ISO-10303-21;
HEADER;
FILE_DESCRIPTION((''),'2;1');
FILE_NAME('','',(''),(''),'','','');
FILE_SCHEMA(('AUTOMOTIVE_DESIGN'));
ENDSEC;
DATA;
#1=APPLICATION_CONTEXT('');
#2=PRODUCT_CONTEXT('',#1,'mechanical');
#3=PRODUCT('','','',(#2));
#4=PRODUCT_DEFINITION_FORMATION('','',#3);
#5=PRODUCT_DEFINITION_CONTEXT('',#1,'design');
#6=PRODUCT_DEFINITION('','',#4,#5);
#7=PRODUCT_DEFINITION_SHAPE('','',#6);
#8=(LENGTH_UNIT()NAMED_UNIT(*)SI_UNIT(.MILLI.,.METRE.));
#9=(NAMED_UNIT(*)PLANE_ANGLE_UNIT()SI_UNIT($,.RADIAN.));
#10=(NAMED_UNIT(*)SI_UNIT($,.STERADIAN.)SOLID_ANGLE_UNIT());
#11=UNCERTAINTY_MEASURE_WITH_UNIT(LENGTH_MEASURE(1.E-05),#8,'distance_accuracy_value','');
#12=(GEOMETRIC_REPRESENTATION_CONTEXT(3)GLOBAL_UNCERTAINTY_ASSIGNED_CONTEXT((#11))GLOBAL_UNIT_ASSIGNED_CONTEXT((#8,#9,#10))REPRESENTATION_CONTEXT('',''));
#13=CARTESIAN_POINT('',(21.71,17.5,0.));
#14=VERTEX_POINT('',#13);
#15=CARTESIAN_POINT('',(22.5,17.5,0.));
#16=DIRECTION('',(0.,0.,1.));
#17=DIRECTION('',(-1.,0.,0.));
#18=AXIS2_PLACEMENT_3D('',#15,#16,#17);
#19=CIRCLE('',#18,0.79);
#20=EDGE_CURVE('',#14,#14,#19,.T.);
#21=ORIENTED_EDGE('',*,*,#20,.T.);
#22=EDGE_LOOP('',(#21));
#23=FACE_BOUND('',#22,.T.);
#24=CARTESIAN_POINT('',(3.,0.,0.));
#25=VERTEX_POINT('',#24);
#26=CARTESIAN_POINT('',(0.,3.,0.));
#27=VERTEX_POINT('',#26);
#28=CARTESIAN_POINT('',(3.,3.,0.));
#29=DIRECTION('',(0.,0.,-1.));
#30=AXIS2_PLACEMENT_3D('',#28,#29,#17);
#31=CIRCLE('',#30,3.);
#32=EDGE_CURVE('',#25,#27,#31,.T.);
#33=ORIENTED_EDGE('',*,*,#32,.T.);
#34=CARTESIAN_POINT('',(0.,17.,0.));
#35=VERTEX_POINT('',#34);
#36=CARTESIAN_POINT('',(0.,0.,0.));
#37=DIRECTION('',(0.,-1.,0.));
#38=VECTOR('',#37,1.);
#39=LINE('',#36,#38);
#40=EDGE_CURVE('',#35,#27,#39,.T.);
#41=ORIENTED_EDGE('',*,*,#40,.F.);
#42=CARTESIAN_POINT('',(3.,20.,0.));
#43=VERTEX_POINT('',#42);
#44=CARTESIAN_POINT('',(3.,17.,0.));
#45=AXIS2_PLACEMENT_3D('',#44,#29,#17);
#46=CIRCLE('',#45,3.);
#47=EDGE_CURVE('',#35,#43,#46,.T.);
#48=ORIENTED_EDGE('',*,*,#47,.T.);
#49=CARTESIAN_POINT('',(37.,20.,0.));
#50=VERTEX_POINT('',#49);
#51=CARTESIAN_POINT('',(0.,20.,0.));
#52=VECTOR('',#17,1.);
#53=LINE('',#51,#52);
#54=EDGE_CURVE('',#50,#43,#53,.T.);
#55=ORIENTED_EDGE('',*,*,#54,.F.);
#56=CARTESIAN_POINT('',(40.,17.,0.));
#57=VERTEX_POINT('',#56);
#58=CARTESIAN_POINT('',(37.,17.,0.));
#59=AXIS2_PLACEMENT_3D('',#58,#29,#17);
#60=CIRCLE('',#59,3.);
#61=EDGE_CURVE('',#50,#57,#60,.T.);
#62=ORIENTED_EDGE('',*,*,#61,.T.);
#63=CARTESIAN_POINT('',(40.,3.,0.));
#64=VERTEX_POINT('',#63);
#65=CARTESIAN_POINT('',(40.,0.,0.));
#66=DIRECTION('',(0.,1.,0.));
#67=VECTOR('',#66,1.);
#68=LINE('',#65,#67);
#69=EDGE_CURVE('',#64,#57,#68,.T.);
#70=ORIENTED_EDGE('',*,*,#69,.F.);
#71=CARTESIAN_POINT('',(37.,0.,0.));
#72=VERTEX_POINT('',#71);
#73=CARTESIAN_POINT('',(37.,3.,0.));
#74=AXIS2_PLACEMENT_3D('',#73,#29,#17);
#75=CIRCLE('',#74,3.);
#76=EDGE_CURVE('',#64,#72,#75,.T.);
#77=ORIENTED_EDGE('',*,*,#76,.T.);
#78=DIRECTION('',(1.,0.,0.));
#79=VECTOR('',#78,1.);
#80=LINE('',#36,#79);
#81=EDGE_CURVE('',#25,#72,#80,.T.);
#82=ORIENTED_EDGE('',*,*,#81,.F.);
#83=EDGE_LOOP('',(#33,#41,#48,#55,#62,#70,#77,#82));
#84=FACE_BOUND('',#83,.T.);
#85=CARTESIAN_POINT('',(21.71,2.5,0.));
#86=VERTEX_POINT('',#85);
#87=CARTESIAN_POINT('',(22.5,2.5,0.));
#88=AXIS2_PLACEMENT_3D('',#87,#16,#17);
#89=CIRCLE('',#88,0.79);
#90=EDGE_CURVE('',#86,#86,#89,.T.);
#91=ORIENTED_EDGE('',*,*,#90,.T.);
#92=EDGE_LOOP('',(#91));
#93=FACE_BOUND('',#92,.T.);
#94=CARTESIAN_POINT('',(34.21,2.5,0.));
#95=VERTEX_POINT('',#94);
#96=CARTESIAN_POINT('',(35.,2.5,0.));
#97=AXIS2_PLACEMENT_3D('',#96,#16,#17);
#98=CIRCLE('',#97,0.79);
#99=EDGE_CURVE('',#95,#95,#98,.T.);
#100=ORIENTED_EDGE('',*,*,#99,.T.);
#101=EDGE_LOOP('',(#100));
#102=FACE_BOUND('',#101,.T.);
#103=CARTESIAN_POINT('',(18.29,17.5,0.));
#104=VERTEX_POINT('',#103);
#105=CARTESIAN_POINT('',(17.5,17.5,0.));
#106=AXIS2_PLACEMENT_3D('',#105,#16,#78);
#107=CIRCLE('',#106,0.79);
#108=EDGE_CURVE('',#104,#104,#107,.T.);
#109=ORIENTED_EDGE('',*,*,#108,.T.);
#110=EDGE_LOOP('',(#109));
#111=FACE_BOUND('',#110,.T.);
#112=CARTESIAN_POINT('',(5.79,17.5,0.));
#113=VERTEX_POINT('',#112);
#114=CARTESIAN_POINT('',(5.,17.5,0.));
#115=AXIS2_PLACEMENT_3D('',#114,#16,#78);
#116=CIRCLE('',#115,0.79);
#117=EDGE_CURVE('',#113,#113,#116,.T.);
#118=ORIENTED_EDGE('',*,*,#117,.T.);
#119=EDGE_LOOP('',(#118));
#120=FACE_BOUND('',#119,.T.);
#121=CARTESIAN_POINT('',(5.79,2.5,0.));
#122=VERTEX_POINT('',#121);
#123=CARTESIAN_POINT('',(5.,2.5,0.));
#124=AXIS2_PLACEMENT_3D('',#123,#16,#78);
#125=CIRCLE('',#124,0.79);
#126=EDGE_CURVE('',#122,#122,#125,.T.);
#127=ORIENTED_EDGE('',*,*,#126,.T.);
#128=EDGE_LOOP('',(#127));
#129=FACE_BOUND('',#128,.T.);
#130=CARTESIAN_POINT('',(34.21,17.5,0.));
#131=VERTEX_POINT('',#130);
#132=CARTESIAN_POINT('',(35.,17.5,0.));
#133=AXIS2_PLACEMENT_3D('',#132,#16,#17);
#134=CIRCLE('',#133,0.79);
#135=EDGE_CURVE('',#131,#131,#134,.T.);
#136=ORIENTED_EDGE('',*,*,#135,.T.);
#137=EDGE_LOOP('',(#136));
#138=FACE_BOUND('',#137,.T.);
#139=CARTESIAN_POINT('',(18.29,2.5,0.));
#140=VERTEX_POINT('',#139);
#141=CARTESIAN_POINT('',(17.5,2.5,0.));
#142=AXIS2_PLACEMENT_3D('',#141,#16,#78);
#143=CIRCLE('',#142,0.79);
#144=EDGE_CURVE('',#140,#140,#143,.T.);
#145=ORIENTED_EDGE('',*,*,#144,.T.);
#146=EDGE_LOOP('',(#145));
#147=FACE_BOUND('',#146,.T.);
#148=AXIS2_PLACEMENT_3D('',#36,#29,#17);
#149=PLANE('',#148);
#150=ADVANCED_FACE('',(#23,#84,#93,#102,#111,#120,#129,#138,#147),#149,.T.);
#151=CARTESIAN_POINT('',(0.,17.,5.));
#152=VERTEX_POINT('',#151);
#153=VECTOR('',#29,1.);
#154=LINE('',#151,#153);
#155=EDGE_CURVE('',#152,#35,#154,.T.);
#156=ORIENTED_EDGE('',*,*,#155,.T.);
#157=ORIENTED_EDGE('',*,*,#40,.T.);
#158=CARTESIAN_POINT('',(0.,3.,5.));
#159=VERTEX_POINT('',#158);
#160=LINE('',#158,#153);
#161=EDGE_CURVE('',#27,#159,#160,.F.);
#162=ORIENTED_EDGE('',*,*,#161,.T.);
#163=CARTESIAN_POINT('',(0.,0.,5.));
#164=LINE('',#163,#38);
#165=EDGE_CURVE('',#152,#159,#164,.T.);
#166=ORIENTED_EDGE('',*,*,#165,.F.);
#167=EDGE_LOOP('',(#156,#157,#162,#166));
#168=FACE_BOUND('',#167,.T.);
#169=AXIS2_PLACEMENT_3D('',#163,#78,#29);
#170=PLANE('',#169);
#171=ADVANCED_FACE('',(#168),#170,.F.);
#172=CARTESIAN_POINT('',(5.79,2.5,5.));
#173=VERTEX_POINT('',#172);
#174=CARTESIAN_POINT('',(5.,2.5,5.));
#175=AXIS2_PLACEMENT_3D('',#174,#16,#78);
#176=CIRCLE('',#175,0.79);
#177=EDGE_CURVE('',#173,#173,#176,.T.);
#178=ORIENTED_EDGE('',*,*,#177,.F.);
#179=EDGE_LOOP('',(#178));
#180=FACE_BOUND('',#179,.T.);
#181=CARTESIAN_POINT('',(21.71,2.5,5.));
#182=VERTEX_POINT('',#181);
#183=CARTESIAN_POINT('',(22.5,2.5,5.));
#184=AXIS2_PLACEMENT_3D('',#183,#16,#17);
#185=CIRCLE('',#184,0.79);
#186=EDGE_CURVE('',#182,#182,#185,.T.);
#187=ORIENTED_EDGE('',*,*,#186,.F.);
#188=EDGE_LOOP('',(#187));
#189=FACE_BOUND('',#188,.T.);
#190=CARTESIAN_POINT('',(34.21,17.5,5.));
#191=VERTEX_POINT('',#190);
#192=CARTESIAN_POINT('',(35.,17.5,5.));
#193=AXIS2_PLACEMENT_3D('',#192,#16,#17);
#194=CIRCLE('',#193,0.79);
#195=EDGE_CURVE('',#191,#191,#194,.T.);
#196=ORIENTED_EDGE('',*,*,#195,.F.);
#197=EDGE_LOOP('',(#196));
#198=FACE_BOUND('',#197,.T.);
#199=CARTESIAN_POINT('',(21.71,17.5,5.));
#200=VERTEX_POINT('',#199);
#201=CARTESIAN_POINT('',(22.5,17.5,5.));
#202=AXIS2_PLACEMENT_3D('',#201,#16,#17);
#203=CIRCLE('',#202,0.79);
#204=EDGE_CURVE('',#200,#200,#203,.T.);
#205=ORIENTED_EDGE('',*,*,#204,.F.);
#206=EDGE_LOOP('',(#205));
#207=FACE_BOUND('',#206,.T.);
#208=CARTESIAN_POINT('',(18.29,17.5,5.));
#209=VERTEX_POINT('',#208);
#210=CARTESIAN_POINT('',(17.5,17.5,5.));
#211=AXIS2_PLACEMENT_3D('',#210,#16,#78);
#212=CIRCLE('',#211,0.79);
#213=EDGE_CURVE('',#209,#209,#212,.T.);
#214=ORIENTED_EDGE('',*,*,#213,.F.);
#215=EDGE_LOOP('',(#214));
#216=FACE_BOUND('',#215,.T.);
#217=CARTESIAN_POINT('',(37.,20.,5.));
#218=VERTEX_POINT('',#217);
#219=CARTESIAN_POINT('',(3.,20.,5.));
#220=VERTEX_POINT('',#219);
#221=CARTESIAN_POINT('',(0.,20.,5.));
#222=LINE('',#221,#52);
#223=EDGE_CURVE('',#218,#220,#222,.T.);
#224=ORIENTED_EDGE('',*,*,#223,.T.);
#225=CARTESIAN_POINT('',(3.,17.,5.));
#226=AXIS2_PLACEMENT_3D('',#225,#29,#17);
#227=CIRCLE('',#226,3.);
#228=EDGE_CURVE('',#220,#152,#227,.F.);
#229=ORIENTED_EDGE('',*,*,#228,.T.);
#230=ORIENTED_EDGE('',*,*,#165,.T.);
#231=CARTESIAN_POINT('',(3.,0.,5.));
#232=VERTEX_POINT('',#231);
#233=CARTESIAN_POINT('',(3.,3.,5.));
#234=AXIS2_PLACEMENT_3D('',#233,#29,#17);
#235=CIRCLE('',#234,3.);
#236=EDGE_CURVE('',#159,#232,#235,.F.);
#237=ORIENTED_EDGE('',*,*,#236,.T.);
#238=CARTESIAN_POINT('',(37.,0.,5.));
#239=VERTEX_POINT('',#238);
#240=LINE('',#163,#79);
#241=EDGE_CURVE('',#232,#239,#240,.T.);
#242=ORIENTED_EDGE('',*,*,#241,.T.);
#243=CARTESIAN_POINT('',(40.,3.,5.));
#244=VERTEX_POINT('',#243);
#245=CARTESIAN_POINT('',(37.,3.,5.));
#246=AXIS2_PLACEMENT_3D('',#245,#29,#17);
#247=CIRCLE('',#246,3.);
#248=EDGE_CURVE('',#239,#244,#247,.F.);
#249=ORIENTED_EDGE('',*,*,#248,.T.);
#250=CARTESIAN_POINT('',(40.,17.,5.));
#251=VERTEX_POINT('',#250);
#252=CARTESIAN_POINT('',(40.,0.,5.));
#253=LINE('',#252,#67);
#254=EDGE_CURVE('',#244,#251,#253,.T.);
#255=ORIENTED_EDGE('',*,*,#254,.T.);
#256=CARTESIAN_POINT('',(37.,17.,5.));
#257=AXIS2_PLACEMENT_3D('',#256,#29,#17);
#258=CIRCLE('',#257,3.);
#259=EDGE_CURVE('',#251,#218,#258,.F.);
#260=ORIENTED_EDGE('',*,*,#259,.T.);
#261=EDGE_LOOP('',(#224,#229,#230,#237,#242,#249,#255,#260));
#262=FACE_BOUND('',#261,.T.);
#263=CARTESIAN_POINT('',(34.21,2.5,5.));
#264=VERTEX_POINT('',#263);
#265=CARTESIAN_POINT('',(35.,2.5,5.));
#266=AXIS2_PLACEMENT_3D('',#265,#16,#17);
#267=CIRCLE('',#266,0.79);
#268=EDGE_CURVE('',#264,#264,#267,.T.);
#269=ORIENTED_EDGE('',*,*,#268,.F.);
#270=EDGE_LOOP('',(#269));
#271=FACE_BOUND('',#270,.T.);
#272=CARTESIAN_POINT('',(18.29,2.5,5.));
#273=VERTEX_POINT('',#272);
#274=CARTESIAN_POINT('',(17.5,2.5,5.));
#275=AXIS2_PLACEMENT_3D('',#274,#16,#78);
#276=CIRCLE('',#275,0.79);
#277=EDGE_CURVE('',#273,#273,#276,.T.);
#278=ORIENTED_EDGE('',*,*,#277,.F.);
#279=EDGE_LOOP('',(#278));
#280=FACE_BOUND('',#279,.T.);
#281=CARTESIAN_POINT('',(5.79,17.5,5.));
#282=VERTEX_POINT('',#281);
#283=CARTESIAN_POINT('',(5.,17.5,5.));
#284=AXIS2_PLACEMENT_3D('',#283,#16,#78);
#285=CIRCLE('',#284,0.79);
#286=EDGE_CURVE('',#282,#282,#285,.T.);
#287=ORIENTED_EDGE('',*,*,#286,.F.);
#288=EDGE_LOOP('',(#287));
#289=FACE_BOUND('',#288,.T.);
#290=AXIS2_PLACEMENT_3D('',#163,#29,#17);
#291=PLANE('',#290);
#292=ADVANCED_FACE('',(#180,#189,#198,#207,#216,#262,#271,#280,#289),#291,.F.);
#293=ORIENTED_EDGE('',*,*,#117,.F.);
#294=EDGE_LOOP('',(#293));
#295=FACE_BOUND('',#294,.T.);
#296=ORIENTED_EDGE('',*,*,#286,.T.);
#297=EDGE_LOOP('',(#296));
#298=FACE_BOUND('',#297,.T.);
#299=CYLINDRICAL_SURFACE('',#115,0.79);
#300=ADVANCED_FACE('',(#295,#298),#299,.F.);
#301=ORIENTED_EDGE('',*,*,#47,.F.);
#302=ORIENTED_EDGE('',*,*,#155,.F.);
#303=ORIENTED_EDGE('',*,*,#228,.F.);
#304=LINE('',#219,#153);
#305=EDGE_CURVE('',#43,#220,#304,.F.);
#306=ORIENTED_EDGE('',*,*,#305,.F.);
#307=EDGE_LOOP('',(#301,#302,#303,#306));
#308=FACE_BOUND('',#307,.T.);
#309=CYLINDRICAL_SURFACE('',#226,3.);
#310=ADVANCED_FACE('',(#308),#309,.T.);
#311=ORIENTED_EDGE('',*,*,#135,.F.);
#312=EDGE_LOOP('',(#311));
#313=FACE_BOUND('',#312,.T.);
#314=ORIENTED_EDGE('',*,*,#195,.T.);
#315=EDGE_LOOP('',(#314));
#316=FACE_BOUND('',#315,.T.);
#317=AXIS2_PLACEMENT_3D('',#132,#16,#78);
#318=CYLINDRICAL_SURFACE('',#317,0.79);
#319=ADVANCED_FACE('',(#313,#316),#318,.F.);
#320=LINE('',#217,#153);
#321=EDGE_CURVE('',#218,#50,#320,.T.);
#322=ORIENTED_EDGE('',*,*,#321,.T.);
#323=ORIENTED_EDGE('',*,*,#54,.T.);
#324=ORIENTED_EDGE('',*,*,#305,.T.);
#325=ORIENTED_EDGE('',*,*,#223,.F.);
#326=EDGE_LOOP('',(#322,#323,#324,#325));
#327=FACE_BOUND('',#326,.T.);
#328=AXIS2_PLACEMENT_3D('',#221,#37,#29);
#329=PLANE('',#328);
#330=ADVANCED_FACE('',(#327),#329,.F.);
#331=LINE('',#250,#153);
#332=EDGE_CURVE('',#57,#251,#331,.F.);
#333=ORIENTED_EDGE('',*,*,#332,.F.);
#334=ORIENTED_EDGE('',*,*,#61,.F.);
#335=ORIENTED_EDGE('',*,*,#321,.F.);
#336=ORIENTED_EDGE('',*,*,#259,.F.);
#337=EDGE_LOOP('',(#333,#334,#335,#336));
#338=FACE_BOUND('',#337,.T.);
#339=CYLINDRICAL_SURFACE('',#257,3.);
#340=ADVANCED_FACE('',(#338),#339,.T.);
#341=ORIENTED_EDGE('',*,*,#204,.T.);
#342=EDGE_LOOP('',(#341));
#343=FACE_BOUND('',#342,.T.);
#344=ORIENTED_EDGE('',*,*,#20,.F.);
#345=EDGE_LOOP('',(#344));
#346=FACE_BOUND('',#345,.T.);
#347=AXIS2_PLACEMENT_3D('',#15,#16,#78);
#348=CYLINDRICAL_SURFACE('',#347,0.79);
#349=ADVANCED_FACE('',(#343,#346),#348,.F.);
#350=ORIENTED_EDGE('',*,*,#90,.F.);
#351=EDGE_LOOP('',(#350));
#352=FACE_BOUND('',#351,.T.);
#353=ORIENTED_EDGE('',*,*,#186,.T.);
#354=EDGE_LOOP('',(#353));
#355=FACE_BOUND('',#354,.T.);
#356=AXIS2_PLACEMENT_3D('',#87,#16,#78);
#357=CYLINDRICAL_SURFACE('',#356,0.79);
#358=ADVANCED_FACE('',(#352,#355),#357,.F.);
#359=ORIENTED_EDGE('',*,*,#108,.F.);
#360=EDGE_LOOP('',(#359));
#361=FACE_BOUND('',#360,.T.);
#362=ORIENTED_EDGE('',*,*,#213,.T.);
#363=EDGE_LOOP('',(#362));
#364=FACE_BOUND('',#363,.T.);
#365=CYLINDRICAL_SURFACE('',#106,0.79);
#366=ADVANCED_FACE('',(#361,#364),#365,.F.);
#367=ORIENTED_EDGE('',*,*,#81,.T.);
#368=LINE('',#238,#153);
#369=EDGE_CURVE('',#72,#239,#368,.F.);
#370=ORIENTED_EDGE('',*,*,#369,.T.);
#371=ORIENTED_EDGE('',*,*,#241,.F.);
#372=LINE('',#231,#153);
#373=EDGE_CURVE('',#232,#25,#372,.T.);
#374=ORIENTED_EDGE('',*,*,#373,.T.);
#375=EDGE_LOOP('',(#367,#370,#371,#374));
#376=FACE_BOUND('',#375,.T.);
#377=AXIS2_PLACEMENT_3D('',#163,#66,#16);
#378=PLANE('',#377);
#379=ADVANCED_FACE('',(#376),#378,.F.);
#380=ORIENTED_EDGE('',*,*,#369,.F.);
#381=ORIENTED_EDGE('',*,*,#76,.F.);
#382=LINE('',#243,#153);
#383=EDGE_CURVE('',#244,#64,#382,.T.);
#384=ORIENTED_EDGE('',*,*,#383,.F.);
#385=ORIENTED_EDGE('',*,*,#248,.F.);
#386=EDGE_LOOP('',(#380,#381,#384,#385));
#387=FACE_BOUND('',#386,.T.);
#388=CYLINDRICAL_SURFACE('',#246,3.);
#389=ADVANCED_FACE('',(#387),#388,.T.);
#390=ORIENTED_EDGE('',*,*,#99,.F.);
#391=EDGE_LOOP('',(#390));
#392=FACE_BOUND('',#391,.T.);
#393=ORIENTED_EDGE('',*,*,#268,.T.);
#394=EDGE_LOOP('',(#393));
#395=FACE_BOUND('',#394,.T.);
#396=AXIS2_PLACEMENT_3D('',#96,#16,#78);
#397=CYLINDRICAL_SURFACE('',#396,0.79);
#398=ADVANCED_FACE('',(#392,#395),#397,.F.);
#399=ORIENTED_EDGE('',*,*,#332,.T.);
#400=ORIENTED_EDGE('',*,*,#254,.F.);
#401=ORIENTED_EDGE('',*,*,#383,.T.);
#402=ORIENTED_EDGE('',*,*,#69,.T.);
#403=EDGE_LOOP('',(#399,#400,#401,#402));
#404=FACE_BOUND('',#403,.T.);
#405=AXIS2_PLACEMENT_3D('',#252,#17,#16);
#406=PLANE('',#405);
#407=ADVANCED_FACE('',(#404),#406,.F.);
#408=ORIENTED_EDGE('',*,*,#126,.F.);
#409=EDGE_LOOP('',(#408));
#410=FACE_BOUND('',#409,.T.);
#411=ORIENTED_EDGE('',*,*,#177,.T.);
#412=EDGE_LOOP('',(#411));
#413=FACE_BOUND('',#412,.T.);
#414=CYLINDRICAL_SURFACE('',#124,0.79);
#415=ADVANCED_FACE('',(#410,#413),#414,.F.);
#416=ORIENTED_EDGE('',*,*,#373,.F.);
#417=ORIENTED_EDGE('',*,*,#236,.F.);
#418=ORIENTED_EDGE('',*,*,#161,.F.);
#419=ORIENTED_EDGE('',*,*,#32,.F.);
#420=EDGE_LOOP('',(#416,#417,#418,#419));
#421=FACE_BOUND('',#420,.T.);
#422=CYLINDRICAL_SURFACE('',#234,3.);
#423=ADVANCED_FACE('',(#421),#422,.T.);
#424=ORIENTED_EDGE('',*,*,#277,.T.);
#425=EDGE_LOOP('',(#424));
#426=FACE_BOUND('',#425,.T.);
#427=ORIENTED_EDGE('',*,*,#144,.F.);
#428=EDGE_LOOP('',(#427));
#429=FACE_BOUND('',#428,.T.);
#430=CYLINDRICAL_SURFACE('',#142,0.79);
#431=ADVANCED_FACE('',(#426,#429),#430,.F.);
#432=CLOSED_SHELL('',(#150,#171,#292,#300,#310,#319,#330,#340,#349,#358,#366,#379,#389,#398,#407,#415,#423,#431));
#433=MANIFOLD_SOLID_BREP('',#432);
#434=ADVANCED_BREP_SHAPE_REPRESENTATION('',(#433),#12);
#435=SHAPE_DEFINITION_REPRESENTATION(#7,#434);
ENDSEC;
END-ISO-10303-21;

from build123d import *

# Parameters (mm, degrees)
ESQUISSE1_W             = 40
ESQUISSE1_H             = 20
BOSS_EXTRU_1_DEPTH      = 5
CONG_1_R                = 3
ESQUISSE2_R             = 0.79
ENL_V_MAT_EXTRU_1_DEPTH = 46


with BuildPart() as part:
    # Esquisse1 → Boss.-Extru.1 (new body)
    with BuildSketch(Plane.XY):
        with Locations((20, 10)):
            Rectangle(ESQUISSE1_W, ESQUISSE1_H)
    extrude(amount=BOSS_EXTRU_1_DEPTH)

    # Congé1
    cong_1_edges = [part.edges().sort_by_distance(p)[0] for p in [
        (0, 20, 2.5),
        (40, 20, 2.5),
        (40, 0, 2.5),
        (0, 0, 2.5),
    ]]
    fillet(cong_1_edges, radius=CONG_1_R)

    # Esquisse2 → Enlèv. mat.-Extru.1 (cut, through all)
    with BuildSketch(Plane.XY.offset(5)):
        with Locations((5, 17.5)):
            Circle(ESQUISSE2_R)
        with Locations((5, 2.5)):
            Circle(ESQUISSE2_R)
        with Locations((17.5, 2.5)):
            Circle(ESQUISSE2_R)
        with Locations((17.5, 17.5)):
            Circle(ESQUISSE2_R)
        with Locations(Location((22.5, 17.5, 0), (0, 0, 180))):
            Circle(ESQUISSE2_R)
        with Locations(Location((22.5, 2.5, 0), (0, 0, 180))):
            Circle(ESQUISSE2_R)
        with Locations(Location((35, 2.5, 0), (0, 0, 180))):
            Circle(ESQUISSE2_R)
        with Locations(Location((35, 17.5, 0), (0, 0, 180))):
            Circle(ESQUISSE2_R)
    extrude(amount=-ENL_V_MAT_EXTRU_1_DEPTH, mode=Mode.SUBTRACT)


solid = part.part
